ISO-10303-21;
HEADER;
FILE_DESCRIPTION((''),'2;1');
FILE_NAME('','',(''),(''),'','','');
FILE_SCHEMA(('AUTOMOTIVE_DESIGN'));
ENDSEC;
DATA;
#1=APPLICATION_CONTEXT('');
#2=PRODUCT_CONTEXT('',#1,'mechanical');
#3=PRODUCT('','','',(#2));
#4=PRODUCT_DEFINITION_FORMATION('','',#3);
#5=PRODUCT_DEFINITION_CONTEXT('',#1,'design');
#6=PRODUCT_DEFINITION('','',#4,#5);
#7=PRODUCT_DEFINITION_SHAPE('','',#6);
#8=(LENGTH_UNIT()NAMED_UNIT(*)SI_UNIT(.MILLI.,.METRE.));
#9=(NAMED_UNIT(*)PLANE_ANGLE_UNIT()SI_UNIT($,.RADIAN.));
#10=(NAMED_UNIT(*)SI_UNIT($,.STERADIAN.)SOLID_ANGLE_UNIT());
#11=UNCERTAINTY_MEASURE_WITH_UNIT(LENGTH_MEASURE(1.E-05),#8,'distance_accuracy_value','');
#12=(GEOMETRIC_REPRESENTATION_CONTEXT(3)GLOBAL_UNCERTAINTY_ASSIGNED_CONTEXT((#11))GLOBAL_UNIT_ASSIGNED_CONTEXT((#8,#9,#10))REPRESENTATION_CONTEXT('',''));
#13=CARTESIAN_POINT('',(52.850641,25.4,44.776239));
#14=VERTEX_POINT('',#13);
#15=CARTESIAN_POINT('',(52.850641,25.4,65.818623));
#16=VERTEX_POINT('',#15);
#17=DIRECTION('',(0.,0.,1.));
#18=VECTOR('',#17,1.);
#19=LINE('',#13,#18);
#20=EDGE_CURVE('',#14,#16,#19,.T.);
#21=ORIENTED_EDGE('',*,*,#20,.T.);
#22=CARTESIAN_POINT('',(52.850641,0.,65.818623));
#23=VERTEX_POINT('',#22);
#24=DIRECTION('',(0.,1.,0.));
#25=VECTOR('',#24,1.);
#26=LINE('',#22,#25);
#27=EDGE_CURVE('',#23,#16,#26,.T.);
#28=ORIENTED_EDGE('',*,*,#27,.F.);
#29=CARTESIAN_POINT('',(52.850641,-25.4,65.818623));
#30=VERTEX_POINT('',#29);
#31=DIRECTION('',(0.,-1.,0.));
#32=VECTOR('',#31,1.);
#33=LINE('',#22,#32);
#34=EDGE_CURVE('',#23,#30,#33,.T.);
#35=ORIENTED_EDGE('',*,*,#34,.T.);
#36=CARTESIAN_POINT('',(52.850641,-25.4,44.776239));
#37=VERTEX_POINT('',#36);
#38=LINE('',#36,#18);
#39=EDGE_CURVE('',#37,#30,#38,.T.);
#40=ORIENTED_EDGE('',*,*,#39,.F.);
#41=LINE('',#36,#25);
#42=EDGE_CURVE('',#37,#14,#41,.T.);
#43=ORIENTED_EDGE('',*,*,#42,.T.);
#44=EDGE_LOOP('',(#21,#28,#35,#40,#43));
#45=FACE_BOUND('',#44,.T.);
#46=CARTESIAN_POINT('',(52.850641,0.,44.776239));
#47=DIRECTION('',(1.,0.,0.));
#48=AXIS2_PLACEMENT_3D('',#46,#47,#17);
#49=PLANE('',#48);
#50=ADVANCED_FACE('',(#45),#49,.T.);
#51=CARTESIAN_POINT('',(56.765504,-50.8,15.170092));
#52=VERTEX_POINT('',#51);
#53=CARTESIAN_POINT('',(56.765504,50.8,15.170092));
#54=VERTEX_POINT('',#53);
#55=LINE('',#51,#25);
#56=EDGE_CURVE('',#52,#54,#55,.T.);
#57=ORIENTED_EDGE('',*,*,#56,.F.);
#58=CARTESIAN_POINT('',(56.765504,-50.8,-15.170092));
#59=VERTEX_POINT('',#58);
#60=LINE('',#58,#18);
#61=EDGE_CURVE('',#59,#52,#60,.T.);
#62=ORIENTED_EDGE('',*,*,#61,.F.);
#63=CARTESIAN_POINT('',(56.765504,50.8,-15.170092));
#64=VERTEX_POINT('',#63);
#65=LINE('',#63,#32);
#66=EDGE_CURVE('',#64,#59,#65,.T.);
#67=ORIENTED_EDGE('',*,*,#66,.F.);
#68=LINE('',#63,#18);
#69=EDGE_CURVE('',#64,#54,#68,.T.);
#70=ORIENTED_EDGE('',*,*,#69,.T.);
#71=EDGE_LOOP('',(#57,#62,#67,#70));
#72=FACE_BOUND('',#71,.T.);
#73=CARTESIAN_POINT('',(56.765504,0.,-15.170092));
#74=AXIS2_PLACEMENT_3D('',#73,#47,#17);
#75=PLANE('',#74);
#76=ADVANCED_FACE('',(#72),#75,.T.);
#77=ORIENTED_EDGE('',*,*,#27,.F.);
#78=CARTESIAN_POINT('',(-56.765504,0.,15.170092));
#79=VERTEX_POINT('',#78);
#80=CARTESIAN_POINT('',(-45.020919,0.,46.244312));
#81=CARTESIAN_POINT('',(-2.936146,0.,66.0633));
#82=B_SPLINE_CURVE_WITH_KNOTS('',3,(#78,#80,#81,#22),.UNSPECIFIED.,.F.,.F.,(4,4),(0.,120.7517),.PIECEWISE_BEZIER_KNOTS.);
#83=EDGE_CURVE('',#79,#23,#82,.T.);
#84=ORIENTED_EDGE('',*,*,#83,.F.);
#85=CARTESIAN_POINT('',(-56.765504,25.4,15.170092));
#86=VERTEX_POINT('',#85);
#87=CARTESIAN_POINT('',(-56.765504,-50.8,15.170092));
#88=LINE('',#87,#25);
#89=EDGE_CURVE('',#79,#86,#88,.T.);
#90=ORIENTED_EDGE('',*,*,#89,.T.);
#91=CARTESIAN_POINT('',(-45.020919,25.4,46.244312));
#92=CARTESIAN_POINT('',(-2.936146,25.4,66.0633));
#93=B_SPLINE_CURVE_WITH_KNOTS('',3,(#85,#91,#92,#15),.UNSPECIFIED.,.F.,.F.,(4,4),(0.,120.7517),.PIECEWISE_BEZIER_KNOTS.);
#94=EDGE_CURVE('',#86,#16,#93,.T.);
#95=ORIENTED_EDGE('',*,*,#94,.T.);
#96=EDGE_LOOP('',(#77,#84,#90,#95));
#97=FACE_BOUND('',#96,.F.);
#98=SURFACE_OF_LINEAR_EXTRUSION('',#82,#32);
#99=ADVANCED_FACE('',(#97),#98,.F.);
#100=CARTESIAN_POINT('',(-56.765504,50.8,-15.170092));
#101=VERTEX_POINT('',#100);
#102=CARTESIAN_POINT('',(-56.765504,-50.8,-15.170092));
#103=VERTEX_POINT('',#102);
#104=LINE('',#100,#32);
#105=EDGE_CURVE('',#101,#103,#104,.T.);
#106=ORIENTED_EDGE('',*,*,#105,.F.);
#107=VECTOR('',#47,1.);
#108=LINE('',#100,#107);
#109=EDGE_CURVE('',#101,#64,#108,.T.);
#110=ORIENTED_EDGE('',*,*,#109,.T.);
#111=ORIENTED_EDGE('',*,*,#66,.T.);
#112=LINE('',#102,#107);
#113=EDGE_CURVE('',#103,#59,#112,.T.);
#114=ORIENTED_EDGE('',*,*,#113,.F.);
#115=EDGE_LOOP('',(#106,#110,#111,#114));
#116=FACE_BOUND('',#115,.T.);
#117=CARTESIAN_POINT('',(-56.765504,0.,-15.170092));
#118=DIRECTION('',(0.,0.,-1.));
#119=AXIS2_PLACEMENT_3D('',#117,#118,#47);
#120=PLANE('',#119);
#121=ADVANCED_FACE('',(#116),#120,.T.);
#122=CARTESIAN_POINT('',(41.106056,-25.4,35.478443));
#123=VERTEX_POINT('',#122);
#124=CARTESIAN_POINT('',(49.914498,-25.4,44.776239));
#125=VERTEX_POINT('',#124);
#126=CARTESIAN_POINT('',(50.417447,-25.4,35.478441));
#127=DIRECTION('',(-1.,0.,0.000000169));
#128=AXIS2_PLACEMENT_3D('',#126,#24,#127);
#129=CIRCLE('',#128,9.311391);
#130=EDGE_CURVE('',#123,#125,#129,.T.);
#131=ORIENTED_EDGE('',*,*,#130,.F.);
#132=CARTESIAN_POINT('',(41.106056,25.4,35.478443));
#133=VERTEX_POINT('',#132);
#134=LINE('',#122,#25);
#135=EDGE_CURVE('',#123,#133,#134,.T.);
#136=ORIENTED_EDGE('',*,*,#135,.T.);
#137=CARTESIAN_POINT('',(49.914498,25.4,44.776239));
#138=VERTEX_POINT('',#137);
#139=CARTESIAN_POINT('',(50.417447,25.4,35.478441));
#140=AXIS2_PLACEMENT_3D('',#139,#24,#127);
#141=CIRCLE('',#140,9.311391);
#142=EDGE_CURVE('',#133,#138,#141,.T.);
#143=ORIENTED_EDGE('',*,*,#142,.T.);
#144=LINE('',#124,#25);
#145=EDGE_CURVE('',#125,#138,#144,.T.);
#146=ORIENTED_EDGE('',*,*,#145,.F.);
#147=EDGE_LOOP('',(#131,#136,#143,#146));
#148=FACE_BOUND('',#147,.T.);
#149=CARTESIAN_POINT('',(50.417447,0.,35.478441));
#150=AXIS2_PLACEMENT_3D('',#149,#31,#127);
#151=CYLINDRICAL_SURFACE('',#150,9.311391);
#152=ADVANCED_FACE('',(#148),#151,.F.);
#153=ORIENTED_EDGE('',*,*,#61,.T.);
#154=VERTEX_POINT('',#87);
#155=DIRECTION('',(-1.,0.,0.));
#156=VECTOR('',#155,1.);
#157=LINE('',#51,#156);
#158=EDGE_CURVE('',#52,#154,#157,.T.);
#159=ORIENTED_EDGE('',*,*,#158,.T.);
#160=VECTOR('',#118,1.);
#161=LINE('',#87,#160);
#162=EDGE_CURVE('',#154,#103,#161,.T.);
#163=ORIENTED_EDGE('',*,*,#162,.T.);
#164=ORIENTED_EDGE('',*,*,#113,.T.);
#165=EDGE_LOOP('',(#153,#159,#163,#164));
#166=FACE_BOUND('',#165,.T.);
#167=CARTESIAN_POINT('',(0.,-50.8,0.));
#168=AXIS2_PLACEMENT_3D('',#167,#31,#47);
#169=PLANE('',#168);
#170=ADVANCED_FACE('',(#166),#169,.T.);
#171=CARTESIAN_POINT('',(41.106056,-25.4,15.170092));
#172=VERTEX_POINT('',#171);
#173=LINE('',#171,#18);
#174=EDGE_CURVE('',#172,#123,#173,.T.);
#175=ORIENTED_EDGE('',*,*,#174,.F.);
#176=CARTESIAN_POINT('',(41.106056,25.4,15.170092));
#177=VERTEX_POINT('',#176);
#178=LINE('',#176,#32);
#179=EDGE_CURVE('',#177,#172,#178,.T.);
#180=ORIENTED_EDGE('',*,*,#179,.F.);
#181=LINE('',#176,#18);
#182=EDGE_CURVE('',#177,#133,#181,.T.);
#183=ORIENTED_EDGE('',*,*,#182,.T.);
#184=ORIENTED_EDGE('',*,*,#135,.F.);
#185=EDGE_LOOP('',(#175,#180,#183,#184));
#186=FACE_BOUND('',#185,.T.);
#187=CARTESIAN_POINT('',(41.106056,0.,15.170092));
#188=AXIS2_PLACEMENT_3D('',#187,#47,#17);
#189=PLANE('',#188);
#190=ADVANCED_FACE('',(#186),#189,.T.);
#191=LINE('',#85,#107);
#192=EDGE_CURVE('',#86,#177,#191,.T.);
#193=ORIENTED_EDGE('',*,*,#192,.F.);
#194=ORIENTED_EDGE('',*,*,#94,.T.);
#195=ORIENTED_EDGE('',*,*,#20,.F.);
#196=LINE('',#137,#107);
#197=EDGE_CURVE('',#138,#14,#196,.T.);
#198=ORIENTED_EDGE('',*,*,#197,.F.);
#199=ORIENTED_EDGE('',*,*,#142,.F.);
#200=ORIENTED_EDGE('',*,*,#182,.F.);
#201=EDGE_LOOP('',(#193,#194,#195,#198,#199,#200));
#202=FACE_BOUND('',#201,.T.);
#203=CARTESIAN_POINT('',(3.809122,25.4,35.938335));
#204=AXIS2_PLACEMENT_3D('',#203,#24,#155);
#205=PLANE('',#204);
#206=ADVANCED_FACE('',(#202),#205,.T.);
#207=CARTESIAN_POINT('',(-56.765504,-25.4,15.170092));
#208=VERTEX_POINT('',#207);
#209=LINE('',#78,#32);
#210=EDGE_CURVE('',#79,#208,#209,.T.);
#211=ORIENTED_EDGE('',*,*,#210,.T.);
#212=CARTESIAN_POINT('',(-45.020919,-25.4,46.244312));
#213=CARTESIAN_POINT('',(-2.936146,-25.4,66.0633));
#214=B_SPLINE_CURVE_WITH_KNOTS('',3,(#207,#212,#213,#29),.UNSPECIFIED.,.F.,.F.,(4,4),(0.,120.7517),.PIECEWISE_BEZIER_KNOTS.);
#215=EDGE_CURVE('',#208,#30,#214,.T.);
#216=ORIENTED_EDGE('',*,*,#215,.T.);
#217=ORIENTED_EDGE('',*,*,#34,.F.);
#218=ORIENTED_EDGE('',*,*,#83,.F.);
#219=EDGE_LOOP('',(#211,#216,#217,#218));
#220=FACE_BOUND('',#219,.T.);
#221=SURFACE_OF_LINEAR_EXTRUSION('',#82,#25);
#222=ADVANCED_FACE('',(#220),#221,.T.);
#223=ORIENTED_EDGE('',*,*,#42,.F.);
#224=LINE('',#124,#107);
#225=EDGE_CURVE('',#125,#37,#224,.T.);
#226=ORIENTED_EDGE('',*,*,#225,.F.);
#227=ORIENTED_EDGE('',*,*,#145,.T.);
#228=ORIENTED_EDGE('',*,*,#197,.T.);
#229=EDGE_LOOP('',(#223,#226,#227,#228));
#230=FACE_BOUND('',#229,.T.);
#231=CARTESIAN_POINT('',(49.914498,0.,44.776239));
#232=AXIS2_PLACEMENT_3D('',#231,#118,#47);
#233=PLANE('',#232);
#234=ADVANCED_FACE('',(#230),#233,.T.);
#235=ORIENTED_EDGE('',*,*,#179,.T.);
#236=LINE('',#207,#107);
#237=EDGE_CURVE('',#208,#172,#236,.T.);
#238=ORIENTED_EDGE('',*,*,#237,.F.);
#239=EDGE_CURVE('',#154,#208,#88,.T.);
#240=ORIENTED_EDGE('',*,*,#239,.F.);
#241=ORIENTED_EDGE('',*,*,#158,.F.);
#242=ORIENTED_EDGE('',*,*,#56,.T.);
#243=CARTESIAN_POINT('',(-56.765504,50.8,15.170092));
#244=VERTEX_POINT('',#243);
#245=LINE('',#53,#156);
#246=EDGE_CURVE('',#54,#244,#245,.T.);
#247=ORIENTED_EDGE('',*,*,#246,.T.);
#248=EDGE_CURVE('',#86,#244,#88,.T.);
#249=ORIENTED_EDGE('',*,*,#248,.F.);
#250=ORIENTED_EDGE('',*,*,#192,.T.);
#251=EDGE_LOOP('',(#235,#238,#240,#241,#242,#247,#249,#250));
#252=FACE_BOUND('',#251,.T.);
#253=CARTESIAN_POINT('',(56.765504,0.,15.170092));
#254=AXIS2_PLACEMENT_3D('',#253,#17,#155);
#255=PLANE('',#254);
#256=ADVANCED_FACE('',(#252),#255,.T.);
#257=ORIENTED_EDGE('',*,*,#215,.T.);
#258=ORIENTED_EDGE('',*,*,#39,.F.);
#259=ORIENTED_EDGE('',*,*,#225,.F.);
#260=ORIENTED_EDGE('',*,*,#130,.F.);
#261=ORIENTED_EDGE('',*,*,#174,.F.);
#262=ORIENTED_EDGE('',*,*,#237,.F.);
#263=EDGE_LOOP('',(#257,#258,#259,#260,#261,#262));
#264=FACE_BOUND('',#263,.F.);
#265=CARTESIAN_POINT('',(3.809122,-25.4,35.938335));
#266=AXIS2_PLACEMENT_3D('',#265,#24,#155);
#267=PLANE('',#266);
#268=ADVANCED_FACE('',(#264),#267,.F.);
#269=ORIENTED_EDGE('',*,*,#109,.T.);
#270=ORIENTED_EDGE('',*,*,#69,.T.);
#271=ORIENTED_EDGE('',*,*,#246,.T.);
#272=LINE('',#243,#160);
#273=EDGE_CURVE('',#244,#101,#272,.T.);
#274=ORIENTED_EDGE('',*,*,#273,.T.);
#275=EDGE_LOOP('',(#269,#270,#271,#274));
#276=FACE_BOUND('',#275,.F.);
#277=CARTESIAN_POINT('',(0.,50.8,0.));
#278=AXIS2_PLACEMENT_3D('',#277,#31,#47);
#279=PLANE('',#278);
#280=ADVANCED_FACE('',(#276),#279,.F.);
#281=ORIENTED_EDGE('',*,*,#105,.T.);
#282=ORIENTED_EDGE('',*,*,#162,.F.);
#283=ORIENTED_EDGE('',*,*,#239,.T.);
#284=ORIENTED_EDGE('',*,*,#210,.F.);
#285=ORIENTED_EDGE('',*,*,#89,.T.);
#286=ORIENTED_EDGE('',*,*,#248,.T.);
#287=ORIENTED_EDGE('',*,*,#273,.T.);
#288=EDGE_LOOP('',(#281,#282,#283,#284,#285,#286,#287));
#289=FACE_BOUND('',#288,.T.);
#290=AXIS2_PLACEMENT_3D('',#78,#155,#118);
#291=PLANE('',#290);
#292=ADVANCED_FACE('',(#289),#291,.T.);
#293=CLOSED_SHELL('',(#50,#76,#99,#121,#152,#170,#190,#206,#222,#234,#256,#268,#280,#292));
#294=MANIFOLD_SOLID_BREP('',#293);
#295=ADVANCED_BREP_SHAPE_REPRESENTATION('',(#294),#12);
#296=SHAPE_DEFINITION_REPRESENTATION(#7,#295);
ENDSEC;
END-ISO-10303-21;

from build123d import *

# Parameters (mm, degrees)
F1_DEPTH      = 50.8
F1_DEPTH_BACK = 50.8
F2_DEPTH      = 25.4
F2_DEPTH_BACK = 25.4


with BuildPart() as f1:
    # F0 (on Front) → F1 (new body, two sides)
    with BuildSketch(Plane.XZ) as f1_sk:
        Polygon((-56.765504, 15.170092), (-56.765504, -15.170092), (56.765504, -15.170092), (56.765504, 15.170092), (41.106056, 15.170092), align=None)
    extrude(amount=F1_DEPTH)
    extrude(f1_sk.sketch, amount=-F1_DEPTH_BACK)

    # F0 (on Front) → F2 (join, two sides)
    with BuildSketch(Plane.XZ) as f2_sk:
        with BuildLine():
            add(Edge.make_bspline(
                [(-56.765504, 15.170092), (-45.020919, 46.244312), (-2.936146, 66.0633), (52.850641, 65.818623)],
                knots=[0, 0, 0, 0, 120.7517, 120.7517, 120.7517, 120.7517], degree=3))
            Line((-56.765504, 15.170092), (41.106056, 15.170092))
            Line((41.106056, 15.170092), (41.106056, 35.478443))
            ThreePointArc((41.106056, 35.478443), (43.657819, 41.882302), (49.914498, 44.776239))
            Line((49.914498, 44.776239), (52.850641, 44.776239))
            Line((52.850641, 44.776239), (52.850641, 65.818623))
        make_face()
    extrude(amount=F2_DEPTH)
    extrude(f2_sk.sketch, amount=-F2_DEPTH_BACK)


solid = f1.part
